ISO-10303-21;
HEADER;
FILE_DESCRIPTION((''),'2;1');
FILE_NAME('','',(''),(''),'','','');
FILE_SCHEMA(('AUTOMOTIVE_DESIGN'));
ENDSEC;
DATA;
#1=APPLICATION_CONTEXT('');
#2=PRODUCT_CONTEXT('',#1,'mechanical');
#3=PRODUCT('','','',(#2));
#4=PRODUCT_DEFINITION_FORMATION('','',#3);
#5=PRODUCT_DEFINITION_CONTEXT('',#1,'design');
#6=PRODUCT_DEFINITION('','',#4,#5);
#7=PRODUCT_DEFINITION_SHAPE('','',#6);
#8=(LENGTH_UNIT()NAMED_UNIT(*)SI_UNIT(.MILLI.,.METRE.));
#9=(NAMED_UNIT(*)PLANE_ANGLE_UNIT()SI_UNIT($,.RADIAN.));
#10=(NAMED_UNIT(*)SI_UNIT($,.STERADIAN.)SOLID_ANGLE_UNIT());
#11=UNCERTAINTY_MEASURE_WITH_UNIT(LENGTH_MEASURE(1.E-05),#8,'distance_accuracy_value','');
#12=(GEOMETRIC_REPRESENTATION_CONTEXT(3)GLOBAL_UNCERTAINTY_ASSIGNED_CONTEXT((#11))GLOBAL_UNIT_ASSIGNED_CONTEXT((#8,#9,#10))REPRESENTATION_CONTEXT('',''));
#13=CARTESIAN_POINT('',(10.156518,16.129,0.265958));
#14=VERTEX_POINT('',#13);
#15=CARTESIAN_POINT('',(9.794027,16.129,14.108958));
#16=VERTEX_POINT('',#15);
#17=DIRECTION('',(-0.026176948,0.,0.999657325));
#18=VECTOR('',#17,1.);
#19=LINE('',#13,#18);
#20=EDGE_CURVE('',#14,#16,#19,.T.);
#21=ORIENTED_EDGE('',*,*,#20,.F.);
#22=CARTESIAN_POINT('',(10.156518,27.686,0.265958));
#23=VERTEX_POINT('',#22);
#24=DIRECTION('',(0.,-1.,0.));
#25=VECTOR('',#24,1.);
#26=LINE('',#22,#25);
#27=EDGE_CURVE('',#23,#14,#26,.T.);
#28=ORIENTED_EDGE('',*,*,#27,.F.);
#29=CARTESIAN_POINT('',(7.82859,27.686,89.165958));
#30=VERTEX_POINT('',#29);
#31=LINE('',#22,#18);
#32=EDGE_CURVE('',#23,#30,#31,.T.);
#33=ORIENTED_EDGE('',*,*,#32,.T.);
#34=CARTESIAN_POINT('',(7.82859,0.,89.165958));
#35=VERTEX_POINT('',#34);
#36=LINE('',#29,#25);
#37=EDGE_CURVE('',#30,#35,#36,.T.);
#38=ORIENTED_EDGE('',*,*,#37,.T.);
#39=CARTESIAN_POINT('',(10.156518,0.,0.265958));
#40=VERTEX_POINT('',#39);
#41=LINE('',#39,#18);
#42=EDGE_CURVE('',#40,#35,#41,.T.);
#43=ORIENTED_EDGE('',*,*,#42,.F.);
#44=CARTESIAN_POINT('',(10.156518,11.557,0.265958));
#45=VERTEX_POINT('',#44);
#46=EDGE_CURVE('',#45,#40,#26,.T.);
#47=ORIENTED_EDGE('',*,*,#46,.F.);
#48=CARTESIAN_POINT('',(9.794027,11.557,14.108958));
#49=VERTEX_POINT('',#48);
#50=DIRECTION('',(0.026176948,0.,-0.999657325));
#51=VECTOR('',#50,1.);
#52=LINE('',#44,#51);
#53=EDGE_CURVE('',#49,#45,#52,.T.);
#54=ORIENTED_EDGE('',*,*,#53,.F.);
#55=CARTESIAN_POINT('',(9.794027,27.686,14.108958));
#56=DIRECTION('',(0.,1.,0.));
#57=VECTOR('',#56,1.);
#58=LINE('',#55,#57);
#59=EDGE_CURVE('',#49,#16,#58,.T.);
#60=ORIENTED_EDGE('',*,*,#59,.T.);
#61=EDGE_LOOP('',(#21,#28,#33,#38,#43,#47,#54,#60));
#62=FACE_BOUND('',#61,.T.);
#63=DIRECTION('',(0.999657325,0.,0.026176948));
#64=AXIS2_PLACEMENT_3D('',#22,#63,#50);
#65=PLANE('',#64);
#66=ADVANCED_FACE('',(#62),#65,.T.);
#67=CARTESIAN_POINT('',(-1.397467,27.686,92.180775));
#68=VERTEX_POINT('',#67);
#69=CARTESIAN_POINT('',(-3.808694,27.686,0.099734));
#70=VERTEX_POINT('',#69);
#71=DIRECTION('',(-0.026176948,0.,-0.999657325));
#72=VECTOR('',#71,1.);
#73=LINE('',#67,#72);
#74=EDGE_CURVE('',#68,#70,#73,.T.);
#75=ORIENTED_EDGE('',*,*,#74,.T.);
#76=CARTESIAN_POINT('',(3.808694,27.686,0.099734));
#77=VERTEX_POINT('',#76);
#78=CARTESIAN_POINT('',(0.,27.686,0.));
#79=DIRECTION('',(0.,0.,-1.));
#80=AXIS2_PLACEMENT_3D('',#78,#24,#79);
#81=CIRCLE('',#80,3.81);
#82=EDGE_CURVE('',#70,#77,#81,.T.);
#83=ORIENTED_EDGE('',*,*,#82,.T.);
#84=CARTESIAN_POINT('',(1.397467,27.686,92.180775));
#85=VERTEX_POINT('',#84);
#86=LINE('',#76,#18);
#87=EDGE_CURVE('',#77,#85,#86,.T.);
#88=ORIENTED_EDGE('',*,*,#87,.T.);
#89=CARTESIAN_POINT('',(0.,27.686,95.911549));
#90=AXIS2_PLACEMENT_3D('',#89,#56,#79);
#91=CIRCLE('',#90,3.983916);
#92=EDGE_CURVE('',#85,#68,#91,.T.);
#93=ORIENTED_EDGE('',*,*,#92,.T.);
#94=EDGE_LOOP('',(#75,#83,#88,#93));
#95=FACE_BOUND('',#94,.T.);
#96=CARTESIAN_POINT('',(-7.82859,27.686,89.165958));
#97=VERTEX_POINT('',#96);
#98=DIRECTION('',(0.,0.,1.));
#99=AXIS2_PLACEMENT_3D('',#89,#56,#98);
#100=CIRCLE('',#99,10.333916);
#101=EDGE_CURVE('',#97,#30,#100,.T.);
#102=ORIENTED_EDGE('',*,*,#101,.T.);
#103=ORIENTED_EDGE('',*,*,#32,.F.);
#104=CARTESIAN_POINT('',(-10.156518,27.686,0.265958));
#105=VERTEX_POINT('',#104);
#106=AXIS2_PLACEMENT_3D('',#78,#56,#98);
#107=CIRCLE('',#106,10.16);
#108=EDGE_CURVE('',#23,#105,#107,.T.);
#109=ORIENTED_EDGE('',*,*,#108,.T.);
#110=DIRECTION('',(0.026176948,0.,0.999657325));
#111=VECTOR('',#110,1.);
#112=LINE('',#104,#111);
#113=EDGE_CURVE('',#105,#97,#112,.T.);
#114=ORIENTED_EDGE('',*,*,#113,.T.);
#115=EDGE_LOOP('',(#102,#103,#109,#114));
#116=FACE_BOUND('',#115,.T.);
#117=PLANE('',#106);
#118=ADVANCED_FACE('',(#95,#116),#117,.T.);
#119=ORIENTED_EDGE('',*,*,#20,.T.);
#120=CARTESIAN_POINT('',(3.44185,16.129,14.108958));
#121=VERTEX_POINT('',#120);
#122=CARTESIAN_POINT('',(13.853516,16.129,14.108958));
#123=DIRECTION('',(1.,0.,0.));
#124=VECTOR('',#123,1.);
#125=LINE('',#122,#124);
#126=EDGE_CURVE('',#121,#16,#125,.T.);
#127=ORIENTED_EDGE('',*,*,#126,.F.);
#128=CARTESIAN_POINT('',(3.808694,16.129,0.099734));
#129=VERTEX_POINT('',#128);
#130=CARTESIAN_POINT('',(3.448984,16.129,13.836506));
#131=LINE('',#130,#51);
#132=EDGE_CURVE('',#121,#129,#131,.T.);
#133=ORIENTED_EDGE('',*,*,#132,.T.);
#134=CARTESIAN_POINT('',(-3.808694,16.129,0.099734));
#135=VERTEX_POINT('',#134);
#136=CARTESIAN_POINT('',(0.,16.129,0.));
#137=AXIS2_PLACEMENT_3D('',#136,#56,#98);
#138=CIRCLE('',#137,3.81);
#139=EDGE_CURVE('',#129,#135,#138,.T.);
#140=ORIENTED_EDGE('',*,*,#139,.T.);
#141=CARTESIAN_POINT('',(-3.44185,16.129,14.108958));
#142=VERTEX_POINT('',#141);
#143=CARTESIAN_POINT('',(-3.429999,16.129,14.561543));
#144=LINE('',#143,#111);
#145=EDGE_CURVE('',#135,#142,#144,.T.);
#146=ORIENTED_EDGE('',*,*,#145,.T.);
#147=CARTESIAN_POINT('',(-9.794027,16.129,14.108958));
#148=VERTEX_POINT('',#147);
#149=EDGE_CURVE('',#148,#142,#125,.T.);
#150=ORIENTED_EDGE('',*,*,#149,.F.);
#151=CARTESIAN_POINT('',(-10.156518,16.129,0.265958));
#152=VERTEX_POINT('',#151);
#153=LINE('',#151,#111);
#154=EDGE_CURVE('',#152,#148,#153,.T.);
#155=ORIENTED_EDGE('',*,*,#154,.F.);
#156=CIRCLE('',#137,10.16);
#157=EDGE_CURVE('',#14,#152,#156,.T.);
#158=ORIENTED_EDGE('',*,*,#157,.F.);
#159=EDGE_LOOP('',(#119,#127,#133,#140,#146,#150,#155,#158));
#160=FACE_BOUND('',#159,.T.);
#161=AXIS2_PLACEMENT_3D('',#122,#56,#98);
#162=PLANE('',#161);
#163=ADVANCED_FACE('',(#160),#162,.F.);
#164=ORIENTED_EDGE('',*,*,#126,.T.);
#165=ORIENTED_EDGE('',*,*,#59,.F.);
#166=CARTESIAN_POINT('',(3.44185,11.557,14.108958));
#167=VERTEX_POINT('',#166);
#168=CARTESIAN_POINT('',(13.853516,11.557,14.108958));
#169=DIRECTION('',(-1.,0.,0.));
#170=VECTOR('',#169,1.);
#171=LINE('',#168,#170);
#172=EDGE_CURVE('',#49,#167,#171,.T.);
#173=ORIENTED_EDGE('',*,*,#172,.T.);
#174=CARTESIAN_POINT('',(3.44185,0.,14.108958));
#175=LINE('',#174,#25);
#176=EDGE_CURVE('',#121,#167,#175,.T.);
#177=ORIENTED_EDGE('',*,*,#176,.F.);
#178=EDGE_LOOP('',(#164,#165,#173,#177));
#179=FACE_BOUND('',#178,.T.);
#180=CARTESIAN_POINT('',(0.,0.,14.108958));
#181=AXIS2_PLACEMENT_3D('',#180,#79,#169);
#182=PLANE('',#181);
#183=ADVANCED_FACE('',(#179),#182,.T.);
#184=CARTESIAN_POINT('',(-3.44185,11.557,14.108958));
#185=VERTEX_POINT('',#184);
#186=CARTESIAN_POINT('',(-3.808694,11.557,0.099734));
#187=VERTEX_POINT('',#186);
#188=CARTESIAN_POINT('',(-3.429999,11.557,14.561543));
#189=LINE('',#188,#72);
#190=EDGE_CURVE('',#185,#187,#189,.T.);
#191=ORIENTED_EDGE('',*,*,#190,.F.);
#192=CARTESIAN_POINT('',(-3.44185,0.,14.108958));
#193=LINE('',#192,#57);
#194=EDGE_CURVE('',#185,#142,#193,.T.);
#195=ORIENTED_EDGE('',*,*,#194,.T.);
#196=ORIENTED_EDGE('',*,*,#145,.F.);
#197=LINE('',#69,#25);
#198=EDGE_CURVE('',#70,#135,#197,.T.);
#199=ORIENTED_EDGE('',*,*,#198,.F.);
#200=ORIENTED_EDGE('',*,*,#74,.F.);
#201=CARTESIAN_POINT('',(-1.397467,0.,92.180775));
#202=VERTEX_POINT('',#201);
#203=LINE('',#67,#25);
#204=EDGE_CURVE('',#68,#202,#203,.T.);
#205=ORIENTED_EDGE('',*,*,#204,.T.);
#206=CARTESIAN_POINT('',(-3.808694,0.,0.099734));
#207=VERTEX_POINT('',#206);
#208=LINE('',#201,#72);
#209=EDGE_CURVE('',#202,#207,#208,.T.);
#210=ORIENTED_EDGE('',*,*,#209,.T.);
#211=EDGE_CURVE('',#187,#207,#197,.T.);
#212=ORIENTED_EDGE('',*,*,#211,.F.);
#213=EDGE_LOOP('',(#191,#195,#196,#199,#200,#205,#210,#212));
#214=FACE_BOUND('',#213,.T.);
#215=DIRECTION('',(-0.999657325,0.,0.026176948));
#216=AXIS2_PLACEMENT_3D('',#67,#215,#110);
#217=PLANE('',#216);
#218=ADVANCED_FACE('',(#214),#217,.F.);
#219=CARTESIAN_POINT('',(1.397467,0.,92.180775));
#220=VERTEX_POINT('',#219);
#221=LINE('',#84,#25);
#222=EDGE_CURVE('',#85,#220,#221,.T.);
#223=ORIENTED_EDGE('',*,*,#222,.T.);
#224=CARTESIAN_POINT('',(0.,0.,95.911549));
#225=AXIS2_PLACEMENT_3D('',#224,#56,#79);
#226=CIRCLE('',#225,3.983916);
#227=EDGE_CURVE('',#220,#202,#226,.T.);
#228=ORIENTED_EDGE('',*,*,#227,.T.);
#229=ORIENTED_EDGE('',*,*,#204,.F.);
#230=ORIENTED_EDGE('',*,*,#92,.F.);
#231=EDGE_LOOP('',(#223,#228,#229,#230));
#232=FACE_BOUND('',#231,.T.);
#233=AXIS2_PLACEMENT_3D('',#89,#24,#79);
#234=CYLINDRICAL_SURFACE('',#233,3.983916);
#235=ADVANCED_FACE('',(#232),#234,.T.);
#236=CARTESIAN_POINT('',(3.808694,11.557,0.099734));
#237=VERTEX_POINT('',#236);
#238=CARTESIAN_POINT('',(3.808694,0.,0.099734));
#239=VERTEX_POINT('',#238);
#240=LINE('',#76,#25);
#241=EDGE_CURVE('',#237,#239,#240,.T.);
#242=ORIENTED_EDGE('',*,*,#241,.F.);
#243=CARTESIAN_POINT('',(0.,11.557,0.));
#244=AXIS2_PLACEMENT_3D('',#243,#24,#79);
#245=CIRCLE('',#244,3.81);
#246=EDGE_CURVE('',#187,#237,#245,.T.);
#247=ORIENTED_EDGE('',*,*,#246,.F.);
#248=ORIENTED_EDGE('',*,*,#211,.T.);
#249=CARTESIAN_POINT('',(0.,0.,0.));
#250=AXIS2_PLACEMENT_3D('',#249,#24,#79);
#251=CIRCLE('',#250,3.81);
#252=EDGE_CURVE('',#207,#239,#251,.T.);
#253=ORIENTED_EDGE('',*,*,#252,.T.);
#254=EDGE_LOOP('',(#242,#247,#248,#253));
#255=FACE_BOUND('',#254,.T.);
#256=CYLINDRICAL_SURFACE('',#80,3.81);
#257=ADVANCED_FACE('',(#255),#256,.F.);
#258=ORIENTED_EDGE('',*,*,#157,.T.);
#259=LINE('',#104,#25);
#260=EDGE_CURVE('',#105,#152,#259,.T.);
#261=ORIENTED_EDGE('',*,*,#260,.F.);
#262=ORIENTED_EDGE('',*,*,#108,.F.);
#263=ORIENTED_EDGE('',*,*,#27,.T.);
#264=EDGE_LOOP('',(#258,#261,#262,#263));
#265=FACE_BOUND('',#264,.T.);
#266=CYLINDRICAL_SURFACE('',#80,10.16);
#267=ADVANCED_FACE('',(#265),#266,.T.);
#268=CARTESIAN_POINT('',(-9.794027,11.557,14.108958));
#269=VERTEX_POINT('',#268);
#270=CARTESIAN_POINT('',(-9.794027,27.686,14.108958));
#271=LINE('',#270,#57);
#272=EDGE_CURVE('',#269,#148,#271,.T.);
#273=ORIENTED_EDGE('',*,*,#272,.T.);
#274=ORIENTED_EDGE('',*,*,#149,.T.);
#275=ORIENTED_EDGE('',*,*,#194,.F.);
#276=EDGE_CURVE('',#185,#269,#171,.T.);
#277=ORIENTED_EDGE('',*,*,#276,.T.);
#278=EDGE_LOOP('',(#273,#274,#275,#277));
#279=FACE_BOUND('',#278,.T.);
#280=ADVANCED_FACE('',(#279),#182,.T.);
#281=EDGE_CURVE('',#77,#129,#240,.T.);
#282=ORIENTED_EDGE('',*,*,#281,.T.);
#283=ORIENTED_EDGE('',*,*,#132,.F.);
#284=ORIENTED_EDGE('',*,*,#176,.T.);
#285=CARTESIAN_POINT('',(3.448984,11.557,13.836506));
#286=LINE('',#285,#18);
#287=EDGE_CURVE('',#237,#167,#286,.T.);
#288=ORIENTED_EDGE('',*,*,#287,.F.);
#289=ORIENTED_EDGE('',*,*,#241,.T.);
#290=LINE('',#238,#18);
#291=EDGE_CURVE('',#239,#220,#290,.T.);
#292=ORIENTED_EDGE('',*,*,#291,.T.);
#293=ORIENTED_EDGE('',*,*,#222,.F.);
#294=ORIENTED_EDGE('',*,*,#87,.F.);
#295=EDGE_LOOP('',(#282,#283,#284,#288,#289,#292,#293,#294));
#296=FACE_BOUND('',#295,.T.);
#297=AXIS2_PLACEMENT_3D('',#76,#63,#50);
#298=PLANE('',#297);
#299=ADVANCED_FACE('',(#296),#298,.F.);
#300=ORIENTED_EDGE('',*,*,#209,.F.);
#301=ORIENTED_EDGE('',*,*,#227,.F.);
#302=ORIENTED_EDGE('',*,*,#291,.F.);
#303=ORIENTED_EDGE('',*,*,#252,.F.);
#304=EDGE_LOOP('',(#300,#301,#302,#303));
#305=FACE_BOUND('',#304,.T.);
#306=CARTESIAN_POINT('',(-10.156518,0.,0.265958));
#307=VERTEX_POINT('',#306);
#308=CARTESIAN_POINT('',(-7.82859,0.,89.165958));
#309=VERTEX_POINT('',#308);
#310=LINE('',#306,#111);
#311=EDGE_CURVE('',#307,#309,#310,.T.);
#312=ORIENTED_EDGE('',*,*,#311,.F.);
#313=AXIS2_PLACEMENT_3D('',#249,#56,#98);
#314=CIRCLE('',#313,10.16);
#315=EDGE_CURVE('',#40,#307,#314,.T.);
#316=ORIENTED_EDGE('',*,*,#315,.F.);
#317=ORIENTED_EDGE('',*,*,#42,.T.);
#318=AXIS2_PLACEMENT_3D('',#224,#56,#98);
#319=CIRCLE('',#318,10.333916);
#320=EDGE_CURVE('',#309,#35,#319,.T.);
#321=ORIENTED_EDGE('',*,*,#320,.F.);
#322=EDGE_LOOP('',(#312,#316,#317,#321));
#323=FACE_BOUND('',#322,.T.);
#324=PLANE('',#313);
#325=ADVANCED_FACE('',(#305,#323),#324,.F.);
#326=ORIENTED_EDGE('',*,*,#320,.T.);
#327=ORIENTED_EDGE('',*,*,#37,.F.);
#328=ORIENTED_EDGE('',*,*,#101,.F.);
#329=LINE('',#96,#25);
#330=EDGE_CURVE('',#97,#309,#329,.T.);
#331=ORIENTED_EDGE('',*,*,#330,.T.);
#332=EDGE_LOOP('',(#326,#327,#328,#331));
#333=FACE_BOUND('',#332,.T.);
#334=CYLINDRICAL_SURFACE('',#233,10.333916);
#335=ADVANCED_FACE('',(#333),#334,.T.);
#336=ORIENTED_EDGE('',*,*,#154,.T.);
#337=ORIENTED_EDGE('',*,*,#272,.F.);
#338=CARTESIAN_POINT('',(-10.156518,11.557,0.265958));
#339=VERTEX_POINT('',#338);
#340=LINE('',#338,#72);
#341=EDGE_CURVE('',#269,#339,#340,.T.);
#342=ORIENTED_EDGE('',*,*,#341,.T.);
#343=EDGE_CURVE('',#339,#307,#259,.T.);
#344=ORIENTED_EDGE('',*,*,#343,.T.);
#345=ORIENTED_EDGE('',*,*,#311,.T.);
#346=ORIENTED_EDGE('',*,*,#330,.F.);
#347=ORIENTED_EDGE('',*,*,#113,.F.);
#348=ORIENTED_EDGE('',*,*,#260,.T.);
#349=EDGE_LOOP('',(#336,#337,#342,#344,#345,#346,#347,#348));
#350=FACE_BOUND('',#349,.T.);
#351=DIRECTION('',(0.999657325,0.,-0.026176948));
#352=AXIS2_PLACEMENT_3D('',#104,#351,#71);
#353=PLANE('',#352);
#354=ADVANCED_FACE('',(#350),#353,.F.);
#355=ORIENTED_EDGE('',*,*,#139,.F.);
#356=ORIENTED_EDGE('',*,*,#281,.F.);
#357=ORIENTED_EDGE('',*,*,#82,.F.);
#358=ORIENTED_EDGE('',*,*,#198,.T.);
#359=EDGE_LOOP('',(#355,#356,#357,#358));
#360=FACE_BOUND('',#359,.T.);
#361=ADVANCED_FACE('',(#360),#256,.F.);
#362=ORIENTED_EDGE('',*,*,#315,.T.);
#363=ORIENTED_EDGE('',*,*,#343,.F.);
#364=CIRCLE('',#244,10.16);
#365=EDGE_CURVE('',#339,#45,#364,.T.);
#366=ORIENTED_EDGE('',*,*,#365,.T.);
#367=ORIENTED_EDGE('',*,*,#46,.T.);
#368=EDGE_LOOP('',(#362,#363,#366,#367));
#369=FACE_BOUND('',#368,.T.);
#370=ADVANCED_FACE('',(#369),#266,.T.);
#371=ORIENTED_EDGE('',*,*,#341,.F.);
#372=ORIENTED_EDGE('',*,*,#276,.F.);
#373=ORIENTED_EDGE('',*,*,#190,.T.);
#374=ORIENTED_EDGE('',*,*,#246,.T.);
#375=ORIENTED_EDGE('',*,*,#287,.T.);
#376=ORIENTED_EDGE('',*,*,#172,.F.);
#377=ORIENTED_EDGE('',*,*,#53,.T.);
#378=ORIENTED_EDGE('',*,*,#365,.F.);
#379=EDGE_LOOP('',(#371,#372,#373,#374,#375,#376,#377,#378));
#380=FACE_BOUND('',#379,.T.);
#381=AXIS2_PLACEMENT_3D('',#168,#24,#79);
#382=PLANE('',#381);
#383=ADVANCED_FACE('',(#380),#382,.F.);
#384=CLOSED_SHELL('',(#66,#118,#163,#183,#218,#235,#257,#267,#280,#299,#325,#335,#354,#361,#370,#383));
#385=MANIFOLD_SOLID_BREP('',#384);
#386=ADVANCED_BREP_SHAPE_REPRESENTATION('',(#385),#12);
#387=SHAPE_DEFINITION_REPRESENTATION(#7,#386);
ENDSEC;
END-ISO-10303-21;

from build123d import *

# Parameters (mm, degrees)
BOSS_EXTRUDE1_DEPTH = 27.686
SKETCH2_W           = 29.921903197
SKETCH2_H           = 4.572
CUT_EXTRUDE1_DEPTH  = 13.843
SKETCH3_OUTSIDE_W   = 46.952
SKETCH3_OUTSIDE_H   = 142.689
CUT_EXTRUDE2_DEPTH  = 27.686


with BuildPart() as part:
    # Sketch1 → Boss-Extrude1 (new body)
    with BuildSketch(Plane(origin=(0, 0, 0), x_dir=(1, 0, 0), z_dir=(0, 1, 0))):
        with BuildLine():
            Line((-10.156518422, -0.265957795), (-7.828589994, -89.165957795))
            ThreePointArc((-7.828589994, -89.165957795), (0, -106.245464925), (7.828589994, -89.165957795))
            Line((7.828589994, -89.165957795), (10.156518422, -0.265957795))
            ThreePointArc((10.156518422, -0.265957795), (0, 10.16), (-10.156518422, -0.265957795))
        make_face()
    extrude(amount=BOSS_EXTRUDE1_DEPTH)

    # Sketch2 → Cut-Extrude1 (cut, symmetric)
    with BuildSketch(Plane(origin=(0, 0, 0.265957795), x_dir=(-1, 0, 0), z_dir=(0, 0, -1))):
        with Locations((1.107435291, 13.843)):
            Rectangle(SKETCH2_W, SKETCH2_H)
    extrude(amount=CUT_EXTRUDE1_DEPTH, both=True, mode=Mode.SUBTRACT)

    # Sketch3 outside → Cut-Extrude2 (cut)
    with BuildSketch(Plane.XZ):
        with Locations((0, 48.0425)):
            Rectangle(SKETCH3_OUTSIDE_W, SKETCH3_OUTSIDE_H)
        with BuildLine():
            Line((10.156518422, 0.265957795), (7.828589994, 89.165957795))
            ThreePointArc((7.828589994, 89.165957795), (0, 106.245464925), (-7.828589994, 89.165957795))
            Line((-7.828589994, 89.165957795), (-10.156518422, 0.265957795))
            ThreePointArc((-10.156518422, 0.265957795), (0, -10.16), (10.156518422, 0.265957795))
        make_face(mode=Mode.SUBTRACT)
        with BuildLine():
            Line((-1.397467487, 92.180775304), (-3.808694408, 0.099734173))
            ThreePointArc((-3.808694408, 0.099734173), (0, -3.81), (3.808694408, 0.099734173))
            Line((3.808694408, 0.099734173), (1.397467487, 92.180775304))
            ThreePointArc((1.397467487, 92.180775304), (0, 91.927632861), (-1.397467487, 92.180775304))
        make_face()
    extrude(amount=-CUT_EXTRUDE2_DEPTH, mode=Mode.SUBTRACT)


solid = part.part
